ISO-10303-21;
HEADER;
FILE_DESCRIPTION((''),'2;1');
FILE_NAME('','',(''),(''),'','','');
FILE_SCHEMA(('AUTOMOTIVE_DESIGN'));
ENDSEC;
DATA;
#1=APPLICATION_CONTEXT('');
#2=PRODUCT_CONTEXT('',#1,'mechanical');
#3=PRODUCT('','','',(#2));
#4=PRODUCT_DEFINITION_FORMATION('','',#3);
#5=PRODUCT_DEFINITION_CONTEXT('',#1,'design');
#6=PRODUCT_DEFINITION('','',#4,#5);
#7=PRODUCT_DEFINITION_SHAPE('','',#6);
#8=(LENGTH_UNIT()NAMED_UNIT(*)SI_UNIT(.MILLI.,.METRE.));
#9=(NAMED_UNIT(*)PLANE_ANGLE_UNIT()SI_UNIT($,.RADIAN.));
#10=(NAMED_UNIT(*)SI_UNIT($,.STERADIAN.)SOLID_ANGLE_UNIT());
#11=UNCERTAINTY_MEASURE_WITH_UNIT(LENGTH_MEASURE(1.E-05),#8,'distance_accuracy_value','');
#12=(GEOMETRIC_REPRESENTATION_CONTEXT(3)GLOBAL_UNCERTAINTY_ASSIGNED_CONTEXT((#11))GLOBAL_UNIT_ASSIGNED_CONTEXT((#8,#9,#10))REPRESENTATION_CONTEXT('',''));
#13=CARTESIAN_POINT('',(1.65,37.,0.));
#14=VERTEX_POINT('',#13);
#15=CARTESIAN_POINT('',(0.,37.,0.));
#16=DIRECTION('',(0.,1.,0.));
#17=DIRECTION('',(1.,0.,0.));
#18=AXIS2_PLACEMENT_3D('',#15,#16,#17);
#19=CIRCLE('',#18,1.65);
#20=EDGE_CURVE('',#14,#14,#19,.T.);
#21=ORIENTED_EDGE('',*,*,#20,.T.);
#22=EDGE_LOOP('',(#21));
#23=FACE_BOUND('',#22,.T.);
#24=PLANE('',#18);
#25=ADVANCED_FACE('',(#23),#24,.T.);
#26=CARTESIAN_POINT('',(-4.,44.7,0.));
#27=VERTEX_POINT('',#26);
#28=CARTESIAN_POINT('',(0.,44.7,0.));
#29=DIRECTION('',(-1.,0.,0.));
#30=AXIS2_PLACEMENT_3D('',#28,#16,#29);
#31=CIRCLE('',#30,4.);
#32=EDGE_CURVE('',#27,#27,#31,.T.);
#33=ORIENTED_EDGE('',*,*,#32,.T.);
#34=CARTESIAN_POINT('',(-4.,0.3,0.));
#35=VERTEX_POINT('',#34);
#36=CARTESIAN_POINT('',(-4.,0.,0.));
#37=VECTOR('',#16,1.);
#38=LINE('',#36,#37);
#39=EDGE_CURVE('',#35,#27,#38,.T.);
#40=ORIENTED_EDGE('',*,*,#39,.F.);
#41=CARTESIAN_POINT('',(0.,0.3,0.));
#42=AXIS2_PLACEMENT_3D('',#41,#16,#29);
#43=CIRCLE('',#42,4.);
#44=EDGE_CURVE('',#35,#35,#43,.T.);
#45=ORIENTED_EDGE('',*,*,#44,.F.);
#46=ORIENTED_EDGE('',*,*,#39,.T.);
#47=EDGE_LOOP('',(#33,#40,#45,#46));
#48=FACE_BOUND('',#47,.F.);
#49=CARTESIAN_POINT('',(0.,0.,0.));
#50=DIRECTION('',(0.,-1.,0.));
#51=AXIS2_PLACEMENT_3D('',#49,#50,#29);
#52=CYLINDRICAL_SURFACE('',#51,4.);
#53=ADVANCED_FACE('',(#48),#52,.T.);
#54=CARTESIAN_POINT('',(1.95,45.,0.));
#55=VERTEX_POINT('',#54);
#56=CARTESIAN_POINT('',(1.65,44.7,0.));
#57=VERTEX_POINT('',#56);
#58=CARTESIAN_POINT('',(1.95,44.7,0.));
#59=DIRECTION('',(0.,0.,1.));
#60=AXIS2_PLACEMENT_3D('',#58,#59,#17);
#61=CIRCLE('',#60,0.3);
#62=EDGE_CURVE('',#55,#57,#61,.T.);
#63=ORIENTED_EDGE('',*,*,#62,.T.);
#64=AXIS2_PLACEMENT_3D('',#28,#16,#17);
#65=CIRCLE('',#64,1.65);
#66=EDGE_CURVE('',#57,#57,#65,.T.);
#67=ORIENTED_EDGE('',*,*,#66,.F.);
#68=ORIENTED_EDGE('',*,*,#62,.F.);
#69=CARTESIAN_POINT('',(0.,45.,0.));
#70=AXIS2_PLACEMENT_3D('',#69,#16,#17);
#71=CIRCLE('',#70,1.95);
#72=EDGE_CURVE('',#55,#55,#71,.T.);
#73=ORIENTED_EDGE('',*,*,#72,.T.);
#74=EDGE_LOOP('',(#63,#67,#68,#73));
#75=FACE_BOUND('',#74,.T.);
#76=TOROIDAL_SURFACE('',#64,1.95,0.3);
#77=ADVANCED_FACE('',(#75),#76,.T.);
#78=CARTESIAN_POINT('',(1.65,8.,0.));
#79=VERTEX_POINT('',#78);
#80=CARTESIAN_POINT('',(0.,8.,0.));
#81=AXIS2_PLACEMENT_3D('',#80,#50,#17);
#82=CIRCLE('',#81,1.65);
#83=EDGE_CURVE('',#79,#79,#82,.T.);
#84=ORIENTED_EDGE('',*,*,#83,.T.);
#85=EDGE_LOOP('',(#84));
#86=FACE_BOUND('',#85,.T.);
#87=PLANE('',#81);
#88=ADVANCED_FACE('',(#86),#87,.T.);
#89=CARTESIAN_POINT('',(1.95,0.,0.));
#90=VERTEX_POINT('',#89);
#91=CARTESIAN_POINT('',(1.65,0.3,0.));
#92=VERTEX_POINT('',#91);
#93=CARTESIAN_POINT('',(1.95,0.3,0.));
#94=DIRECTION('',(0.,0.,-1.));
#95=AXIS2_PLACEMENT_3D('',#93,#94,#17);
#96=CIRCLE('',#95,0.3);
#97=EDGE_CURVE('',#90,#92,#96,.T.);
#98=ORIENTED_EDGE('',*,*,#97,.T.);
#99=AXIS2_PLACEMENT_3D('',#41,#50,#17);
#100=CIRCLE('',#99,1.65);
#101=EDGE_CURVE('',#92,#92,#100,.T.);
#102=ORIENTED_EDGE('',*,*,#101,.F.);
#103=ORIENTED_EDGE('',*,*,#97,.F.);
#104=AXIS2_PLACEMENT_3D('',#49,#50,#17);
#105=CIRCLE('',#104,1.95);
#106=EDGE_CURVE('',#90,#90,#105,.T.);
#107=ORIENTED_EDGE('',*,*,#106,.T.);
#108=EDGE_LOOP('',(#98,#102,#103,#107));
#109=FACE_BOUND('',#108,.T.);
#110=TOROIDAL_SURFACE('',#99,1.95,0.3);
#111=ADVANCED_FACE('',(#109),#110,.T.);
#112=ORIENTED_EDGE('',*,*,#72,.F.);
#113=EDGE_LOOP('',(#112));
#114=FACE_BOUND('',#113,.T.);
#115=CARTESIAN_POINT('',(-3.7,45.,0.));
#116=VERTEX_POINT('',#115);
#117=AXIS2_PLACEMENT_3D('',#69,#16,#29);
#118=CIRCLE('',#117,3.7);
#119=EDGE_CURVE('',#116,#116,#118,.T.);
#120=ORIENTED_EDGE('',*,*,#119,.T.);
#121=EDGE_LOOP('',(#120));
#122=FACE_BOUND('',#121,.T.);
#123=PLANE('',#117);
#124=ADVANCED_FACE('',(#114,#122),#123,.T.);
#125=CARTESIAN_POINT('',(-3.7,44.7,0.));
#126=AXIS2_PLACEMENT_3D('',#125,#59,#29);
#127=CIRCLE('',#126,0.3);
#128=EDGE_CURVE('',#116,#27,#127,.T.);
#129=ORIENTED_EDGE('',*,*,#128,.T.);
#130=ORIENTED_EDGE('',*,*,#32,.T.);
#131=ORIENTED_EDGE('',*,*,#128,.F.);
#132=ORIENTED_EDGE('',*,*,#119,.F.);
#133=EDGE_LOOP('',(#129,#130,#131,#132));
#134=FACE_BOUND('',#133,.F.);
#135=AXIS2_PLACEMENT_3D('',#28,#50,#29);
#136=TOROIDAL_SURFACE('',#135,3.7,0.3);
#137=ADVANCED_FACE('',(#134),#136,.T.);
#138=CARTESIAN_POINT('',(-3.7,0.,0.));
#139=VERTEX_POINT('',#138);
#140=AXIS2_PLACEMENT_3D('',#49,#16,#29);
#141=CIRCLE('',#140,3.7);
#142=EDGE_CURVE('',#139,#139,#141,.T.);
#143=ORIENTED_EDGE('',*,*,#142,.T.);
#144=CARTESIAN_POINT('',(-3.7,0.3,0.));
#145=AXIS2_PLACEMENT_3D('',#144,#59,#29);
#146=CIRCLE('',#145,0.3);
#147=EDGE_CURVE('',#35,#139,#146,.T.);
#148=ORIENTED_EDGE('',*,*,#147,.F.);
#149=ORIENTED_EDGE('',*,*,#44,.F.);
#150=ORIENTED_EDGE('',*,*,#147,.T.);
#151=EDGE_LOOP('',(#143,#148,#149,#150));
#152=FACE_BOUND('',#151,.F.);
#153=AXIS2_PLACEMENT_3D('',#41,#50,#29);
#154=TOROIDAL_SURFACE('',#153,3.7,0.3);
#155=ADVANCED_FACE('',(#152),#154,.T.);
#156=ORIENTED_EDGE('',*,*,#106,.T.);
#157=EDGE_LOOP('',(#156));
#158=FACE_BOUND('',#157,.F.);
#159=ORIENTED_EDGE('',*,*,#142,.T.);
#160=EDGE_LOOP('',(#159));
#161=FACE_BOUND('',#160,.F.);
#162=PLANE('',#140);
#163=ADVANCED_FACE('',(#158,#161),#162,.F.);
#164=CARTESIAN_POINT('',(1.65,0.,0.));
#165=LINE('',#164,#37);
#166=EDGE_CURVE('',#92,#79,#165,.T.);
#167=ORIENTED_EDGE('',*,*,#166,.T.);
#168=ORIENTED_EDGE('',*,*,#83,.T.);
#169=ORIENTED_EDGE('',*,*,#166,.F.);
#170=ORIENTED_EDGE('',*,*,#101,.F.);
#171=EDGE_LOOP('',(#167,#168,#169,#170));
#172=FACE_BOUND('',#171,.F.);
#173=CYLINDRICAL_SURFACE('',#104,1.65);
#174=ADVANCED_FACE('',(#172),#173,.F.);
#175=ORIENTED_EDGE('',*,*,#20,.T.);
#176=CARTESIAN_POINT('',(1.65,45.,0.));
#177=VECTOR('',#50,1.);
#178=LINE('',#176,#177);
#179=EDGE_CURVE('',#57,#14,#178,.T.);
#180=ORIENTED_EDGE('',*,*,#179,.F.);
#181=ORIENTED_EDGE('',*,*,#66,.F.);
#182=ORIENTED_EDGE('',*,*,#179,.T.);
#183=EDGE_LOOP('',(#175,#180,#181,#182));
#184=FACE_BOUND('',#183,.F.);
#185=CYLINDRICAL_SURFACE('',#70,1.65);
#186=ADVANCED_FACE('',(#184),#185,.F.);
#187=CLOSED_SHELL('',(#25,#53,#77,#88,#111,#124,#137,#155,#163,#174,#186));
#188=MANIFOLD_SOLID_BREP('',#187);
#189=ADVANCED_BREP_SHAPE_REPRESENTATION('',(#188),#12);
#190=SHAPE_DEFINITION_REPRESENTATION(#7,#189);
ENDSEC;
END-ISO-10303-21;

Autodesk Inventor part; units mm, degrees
ref_plane "YZ Plane" through (0, 0, 0) normal (1, 0, 0) x (0, 1, 0)
ref_plane "XZ Plane" through (0, 0, 0) normal (0, 1, 0) x (-1, 0, 0)
ref_plane "XY Plane" through (0, 0, 0) normal (0, 0, 1) x (1, 0, 0)
sketch "スケッチ1" plane through (0, 0, 0) normal (0, 1, 0) x (-1, 0, 0)
  circle A0 centre (0, 0) radius 4
  dimension "d0" = 8
extrude "押し出し1" add sketch "スケッチ1" along normal blind 45
sketch "スケッチ2" plane through (0, 45, 0) normal (0, 1, 0) x (1, 0, 0)
  circle A0 centre (0, 0) radius 1.65
  dimension "d3" = 3.3
extrude "押し出し2" cut sketch "スケッチ2" against normal blind 8
thread "ねじ1" size "M4x0.7" class "6H" standard "ISO Metric profile" full length
sketch "スケッチ3" plane through (0, 0, 0) normal (0, -1, 0) x (1, 0, 0)
  circle A0 centre (0, 0) radius 1.65
  dimension "d8" = 3.3
extrude "押し出し3" cut sketch "スケッチ3" against normal blind 8
thread "ねじ2" size "M4x0.7" class "6H" standard "ISO Metric profile" full length
fillet "フィレット1" radius 0.3 1 edges at (-1.65, 0, 0)
fillet "フィレット2" radius 0.3 1 edges at (-1.65, 45, 0)
fillet "フィレット3" radius 0.3 2 edges at (4, 45, 0) (4, 0, 0)
properties part number "ARL-445KE"
